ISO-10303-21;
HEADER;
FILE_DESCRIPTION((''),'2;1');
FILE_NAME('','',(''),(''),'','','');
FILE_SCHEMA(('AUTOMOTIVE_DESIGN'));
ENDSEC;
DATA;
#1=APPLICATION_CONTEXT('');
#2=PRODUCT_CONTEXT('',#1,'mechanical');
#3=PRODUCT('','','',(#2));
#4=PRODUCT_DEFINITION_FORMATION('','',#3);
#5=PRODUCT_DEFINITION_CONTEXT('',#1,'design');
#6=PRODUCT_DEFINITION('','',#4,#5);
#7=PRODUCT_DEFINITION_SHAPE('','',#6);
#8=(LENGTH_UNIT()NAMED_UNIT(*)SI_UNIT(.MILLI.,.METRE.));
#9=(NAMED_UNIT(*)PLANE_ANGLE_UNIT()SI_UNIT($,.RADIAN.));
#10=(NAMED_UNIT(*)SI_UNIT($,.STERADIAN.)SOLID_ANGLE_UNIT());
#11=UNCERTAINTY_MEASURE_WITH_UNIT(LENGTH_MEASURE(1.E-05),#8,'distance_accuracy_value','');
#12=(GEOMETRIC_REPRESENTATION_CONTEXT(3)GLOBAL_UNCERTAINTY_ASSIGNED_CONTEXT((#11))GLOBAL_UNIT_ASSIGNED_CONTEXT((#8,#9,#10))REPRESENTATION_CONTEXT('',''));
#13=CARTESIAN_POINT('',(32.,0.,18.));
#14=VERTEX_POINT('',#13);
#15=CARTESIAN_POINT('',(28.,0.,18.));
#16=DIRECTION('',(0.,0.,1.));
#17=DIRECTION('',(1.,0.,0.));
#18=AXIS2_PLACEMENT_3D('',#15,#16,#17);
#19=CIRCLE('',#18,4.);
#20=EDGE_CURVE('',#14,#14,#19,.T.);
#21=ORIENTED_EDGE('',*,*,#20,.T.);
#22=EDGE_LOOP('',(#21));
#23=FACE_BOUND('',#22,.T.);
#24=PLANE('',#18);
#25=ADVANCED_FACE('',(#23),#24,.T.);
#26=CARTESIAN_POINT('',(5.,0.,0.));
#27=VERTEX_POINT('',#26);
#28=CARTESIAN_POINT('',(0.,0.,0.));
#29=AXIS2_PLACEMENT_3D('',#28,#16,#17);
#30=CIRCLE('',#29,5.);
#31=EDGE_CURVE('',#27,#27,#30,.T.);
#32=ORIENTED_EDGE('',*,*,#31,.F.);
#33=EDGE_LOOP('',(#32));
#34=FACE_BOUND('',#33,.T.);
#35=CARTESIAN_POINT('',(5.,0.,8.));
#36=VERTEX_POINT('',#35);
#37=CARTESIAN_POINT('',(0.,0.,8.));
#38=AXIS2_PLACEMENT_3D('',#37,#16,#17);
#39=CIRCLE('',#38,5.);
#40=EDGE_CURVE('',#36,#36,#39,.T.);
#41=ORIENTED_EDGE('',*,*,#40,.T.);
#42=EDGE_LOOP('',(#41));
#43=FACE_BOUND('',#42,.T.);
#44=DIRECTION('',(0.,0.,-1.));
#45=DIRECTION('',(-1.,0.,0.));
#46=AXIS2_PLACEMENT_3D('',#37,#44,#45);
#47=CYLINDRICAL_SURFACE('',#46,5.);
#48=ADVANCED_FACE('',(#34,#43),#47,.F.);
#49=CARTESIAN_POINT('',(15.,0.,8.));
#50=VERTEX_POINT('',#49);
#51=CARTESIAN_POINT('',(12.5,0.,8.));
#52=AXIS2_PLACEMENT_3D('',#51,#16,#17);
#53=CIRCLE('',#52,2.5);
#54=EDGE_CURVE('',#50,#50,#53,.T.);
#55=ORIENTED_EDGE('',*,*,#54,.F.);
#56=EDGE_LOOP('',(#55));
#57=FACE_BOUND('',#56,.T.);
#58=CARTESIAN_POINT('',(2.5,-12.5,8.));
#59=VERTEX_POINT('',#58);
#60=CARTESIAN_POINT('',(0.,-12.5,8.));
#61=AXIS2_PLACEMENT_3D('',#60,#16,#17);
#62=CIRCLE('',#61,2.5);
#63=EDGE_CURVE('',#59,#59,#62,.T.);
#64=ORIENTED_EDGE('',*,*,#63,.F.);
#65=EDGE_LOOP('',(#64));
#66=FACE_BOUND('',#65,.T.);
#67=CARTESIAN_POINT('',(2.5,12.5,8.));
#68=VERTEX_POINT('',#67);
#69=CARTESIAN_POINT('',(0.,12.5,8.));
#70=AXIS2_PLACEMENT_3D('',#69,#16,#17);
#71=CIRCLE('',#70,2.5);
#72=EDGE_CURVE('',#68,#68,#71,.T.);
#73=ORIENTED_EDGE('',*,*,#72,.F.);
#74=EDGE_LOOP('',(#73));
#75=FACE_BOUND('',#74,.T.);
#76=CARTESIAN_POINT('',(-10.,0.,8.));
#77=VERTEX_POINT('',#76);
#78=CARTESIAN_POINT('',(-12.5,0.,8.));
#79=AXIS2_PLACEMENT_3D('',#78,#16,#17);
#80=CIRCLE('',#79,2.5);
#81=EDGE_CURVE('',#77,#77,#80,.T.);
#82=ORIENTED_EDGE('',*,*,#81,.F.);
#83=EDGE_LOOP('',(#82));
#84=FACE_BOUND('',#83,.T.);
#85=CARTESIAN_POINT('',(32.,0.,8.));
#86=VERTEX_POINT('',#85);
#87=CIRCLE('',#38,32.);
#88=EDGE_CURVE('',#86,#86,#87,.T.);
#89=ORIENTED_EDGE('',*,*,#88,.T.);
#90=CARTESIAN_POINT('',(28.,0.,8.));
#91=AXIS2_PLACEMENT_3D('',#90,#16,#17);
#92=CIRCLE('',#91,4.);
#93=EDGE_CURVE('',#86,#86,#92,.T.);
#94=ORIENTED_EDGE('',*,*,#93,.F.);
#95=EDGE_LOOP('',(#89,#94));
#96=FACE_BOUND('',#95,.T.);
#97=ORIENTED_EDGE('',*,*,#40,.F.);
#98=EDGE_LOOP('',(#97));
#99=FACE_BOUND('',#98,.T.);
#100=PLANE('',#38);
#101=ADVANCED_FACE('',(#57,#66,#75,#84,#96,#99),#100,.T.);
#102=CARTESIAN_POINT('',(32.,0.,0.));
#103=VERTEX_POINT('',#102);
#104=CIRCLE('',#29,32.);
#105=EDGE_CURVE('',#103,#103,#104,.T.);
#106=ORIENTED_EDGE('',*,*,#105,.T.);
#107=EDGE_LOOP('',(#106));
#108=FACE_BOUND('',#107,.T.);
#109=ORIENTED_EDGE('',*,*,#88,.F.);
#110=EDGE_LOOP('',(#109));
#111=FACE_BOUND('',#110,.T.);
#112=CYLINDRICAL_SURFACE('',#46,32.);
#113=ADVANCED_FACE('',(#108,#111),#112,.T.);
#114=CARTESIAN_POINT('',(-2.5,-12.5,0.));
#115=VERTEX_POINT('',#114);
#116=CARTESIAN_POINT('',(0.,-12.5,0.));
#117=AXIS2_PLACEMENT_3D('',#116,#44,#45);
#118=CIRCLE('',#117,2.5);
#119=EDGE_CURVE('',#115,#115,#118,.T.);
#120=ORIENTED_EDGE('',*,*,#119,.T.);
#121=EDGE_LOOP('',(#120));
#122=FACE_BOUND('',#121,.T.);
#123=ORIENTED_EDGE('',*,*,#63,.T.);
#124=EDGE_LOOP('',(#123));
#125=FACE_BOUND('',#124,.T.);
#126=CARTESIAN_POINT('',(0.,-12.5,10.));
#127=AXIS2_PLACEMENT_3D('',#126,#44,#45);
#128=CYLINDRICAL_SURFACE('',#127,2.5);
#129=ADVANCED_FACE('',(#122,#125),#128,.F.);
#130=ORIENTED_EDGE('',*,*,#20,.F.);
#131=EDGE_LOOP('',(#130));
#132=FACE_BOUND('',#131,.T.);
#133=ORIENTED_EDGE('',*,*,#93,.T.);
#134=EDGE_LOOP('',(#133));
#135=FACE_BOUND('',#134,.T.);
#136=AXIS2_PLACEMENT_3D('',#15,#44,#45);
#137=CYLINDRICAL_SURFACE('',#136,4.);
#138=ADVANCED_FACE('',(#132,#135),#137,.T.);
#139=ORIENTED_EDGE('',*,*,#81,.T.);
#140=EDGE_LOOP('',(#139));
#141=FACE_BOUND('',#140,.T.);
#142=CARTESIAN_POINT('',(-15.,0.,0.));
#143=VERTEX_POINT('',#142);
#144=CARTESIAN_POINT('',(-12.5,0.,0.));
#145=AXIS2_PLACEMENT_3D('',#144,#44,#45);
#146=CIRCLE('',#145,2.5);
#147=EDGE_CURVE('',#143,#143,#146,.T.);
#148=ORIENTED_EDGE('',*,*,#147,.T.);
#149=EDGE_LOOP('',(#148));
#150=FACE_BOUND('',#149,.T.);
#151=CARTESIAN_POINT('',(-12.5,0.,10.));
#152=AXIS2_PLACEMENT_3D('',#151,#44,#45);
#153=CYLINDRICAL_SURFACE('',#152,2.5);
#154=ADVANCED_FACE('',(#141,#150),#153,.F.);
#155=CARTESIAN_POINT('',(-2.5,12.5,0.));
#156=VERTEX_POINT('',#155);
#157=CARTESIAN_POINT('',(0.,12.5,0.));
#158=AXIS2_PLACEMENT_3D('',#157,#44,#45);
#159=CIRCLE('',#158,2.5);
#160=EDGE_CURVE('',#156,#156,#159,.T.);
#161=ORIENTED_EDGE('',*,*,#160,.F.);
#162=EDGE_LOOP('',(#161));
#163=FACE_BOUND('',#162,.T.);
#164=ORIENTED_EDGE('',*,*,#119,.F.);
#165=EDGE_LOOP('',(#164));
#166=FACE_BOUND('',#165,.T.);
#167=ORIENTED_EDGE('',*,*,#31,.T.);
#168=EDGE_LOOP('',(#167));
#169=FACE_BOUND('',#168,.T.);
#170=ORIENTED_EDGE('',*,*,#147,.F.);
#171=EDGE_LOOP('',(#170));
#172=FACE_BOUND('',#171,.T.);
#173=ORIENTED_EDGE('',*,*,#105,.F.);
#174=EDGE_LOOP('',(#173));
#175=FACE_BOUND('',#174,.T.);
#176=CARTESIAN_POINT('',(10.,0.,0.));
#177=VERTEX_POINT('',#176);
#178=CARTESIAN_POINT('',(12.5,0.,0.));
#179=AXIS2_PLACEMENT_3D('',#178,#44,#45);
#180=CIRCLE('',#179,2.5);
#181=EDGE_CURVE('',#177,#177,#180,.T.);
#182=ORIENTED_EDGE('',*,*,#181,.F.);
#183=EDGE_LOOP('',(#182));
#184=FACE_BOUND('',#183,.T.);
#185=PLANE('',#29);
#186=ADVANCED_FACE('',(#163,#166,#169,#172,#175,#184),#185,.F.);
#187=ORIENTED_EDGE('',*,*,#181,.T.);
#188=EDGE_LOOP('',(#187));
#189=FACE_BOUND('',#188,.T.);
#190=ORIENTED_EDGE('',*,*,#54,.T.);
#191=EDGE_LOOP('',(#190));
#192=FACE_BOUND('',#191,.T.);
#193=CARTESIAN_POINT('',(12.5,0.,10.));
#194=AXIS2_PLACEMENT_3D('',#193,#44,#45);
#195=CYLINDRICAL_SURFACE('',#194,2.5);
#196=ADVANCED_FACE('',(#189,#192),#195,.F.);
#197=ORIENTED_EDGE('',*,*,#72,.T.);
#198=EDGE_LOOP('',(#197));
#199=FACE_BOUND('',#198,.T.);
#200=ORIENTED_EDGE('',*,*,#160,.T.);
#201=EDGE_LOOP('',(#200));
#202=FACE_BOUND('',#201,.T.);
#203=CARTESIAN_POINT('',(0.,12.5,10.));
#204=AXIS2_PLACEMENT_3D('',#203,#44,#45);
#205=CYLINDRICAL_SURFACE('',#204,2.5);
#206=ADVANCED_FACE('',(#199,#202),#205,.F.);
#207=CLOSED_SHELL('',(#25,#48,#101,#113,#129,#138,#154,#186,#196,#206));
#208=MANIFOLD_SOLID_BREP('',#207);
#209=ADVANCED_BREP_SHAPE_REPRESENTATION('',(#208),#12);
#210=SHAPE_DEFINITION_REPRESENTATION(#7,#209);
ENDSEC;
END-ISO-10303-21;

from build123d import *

# Parameters (mm, degrees)
CROQUIS1_R              = 32
CROQUIS1_R_2            = 5
SALIENTE_EXTRUIR1_DEPTH = 8
CROQUIS3_R              = 2.5
CORTAR_EXTRUIR1_DEPTH   = 10
CROQUIS4_R              = 4
SALIENTE_EXTRUIR2_DEPTH = 10


with BuildPart() as part:
    # Croquis1 → Saliente-Extruir1 (new body)
    with BuildSketch(Plane.XY):
        Circle(CROQUIS1_R)
        Circle(CROQUIS1_R_2, mode=Mode.SUBTRACT)
    extrude(amount=SALIENTE_EXTRUIR1_DEPTH)

    # Croquis3 → Cortar-Extruir1 (cut)
    with BuildSketch(Plane(origin=(0, 0, 0), x_dir=(-1, 0, 0), z_dir=(0, 0, -1))):
        with Locations((12.5, 0)):
            Circle(CROQUIS3_R)
        with Locations((0, -12.5)):
            Circle(CROQUIS3_R)
        with Locations((-12.5, 0)):
            Circle(CROQUIS3_R)
        with Locations((0, 12.5)):
            Circle(CROQUIS3_R)
    extrude(amount=-CORTAR_EXTRUIR1_DEPTH, mode=Mode.SUBTRACT)

    # Croquis4 → Saliente-Extruir2 (add)
    with BuildSketch(Plane.XY.offset(8)):
        with Locations((28, 0)):
            Circle(CROQUIS4_R)
    extrude(amount=SALIENTE_EXTRUIR2_DEPTH)


solid = part.part
